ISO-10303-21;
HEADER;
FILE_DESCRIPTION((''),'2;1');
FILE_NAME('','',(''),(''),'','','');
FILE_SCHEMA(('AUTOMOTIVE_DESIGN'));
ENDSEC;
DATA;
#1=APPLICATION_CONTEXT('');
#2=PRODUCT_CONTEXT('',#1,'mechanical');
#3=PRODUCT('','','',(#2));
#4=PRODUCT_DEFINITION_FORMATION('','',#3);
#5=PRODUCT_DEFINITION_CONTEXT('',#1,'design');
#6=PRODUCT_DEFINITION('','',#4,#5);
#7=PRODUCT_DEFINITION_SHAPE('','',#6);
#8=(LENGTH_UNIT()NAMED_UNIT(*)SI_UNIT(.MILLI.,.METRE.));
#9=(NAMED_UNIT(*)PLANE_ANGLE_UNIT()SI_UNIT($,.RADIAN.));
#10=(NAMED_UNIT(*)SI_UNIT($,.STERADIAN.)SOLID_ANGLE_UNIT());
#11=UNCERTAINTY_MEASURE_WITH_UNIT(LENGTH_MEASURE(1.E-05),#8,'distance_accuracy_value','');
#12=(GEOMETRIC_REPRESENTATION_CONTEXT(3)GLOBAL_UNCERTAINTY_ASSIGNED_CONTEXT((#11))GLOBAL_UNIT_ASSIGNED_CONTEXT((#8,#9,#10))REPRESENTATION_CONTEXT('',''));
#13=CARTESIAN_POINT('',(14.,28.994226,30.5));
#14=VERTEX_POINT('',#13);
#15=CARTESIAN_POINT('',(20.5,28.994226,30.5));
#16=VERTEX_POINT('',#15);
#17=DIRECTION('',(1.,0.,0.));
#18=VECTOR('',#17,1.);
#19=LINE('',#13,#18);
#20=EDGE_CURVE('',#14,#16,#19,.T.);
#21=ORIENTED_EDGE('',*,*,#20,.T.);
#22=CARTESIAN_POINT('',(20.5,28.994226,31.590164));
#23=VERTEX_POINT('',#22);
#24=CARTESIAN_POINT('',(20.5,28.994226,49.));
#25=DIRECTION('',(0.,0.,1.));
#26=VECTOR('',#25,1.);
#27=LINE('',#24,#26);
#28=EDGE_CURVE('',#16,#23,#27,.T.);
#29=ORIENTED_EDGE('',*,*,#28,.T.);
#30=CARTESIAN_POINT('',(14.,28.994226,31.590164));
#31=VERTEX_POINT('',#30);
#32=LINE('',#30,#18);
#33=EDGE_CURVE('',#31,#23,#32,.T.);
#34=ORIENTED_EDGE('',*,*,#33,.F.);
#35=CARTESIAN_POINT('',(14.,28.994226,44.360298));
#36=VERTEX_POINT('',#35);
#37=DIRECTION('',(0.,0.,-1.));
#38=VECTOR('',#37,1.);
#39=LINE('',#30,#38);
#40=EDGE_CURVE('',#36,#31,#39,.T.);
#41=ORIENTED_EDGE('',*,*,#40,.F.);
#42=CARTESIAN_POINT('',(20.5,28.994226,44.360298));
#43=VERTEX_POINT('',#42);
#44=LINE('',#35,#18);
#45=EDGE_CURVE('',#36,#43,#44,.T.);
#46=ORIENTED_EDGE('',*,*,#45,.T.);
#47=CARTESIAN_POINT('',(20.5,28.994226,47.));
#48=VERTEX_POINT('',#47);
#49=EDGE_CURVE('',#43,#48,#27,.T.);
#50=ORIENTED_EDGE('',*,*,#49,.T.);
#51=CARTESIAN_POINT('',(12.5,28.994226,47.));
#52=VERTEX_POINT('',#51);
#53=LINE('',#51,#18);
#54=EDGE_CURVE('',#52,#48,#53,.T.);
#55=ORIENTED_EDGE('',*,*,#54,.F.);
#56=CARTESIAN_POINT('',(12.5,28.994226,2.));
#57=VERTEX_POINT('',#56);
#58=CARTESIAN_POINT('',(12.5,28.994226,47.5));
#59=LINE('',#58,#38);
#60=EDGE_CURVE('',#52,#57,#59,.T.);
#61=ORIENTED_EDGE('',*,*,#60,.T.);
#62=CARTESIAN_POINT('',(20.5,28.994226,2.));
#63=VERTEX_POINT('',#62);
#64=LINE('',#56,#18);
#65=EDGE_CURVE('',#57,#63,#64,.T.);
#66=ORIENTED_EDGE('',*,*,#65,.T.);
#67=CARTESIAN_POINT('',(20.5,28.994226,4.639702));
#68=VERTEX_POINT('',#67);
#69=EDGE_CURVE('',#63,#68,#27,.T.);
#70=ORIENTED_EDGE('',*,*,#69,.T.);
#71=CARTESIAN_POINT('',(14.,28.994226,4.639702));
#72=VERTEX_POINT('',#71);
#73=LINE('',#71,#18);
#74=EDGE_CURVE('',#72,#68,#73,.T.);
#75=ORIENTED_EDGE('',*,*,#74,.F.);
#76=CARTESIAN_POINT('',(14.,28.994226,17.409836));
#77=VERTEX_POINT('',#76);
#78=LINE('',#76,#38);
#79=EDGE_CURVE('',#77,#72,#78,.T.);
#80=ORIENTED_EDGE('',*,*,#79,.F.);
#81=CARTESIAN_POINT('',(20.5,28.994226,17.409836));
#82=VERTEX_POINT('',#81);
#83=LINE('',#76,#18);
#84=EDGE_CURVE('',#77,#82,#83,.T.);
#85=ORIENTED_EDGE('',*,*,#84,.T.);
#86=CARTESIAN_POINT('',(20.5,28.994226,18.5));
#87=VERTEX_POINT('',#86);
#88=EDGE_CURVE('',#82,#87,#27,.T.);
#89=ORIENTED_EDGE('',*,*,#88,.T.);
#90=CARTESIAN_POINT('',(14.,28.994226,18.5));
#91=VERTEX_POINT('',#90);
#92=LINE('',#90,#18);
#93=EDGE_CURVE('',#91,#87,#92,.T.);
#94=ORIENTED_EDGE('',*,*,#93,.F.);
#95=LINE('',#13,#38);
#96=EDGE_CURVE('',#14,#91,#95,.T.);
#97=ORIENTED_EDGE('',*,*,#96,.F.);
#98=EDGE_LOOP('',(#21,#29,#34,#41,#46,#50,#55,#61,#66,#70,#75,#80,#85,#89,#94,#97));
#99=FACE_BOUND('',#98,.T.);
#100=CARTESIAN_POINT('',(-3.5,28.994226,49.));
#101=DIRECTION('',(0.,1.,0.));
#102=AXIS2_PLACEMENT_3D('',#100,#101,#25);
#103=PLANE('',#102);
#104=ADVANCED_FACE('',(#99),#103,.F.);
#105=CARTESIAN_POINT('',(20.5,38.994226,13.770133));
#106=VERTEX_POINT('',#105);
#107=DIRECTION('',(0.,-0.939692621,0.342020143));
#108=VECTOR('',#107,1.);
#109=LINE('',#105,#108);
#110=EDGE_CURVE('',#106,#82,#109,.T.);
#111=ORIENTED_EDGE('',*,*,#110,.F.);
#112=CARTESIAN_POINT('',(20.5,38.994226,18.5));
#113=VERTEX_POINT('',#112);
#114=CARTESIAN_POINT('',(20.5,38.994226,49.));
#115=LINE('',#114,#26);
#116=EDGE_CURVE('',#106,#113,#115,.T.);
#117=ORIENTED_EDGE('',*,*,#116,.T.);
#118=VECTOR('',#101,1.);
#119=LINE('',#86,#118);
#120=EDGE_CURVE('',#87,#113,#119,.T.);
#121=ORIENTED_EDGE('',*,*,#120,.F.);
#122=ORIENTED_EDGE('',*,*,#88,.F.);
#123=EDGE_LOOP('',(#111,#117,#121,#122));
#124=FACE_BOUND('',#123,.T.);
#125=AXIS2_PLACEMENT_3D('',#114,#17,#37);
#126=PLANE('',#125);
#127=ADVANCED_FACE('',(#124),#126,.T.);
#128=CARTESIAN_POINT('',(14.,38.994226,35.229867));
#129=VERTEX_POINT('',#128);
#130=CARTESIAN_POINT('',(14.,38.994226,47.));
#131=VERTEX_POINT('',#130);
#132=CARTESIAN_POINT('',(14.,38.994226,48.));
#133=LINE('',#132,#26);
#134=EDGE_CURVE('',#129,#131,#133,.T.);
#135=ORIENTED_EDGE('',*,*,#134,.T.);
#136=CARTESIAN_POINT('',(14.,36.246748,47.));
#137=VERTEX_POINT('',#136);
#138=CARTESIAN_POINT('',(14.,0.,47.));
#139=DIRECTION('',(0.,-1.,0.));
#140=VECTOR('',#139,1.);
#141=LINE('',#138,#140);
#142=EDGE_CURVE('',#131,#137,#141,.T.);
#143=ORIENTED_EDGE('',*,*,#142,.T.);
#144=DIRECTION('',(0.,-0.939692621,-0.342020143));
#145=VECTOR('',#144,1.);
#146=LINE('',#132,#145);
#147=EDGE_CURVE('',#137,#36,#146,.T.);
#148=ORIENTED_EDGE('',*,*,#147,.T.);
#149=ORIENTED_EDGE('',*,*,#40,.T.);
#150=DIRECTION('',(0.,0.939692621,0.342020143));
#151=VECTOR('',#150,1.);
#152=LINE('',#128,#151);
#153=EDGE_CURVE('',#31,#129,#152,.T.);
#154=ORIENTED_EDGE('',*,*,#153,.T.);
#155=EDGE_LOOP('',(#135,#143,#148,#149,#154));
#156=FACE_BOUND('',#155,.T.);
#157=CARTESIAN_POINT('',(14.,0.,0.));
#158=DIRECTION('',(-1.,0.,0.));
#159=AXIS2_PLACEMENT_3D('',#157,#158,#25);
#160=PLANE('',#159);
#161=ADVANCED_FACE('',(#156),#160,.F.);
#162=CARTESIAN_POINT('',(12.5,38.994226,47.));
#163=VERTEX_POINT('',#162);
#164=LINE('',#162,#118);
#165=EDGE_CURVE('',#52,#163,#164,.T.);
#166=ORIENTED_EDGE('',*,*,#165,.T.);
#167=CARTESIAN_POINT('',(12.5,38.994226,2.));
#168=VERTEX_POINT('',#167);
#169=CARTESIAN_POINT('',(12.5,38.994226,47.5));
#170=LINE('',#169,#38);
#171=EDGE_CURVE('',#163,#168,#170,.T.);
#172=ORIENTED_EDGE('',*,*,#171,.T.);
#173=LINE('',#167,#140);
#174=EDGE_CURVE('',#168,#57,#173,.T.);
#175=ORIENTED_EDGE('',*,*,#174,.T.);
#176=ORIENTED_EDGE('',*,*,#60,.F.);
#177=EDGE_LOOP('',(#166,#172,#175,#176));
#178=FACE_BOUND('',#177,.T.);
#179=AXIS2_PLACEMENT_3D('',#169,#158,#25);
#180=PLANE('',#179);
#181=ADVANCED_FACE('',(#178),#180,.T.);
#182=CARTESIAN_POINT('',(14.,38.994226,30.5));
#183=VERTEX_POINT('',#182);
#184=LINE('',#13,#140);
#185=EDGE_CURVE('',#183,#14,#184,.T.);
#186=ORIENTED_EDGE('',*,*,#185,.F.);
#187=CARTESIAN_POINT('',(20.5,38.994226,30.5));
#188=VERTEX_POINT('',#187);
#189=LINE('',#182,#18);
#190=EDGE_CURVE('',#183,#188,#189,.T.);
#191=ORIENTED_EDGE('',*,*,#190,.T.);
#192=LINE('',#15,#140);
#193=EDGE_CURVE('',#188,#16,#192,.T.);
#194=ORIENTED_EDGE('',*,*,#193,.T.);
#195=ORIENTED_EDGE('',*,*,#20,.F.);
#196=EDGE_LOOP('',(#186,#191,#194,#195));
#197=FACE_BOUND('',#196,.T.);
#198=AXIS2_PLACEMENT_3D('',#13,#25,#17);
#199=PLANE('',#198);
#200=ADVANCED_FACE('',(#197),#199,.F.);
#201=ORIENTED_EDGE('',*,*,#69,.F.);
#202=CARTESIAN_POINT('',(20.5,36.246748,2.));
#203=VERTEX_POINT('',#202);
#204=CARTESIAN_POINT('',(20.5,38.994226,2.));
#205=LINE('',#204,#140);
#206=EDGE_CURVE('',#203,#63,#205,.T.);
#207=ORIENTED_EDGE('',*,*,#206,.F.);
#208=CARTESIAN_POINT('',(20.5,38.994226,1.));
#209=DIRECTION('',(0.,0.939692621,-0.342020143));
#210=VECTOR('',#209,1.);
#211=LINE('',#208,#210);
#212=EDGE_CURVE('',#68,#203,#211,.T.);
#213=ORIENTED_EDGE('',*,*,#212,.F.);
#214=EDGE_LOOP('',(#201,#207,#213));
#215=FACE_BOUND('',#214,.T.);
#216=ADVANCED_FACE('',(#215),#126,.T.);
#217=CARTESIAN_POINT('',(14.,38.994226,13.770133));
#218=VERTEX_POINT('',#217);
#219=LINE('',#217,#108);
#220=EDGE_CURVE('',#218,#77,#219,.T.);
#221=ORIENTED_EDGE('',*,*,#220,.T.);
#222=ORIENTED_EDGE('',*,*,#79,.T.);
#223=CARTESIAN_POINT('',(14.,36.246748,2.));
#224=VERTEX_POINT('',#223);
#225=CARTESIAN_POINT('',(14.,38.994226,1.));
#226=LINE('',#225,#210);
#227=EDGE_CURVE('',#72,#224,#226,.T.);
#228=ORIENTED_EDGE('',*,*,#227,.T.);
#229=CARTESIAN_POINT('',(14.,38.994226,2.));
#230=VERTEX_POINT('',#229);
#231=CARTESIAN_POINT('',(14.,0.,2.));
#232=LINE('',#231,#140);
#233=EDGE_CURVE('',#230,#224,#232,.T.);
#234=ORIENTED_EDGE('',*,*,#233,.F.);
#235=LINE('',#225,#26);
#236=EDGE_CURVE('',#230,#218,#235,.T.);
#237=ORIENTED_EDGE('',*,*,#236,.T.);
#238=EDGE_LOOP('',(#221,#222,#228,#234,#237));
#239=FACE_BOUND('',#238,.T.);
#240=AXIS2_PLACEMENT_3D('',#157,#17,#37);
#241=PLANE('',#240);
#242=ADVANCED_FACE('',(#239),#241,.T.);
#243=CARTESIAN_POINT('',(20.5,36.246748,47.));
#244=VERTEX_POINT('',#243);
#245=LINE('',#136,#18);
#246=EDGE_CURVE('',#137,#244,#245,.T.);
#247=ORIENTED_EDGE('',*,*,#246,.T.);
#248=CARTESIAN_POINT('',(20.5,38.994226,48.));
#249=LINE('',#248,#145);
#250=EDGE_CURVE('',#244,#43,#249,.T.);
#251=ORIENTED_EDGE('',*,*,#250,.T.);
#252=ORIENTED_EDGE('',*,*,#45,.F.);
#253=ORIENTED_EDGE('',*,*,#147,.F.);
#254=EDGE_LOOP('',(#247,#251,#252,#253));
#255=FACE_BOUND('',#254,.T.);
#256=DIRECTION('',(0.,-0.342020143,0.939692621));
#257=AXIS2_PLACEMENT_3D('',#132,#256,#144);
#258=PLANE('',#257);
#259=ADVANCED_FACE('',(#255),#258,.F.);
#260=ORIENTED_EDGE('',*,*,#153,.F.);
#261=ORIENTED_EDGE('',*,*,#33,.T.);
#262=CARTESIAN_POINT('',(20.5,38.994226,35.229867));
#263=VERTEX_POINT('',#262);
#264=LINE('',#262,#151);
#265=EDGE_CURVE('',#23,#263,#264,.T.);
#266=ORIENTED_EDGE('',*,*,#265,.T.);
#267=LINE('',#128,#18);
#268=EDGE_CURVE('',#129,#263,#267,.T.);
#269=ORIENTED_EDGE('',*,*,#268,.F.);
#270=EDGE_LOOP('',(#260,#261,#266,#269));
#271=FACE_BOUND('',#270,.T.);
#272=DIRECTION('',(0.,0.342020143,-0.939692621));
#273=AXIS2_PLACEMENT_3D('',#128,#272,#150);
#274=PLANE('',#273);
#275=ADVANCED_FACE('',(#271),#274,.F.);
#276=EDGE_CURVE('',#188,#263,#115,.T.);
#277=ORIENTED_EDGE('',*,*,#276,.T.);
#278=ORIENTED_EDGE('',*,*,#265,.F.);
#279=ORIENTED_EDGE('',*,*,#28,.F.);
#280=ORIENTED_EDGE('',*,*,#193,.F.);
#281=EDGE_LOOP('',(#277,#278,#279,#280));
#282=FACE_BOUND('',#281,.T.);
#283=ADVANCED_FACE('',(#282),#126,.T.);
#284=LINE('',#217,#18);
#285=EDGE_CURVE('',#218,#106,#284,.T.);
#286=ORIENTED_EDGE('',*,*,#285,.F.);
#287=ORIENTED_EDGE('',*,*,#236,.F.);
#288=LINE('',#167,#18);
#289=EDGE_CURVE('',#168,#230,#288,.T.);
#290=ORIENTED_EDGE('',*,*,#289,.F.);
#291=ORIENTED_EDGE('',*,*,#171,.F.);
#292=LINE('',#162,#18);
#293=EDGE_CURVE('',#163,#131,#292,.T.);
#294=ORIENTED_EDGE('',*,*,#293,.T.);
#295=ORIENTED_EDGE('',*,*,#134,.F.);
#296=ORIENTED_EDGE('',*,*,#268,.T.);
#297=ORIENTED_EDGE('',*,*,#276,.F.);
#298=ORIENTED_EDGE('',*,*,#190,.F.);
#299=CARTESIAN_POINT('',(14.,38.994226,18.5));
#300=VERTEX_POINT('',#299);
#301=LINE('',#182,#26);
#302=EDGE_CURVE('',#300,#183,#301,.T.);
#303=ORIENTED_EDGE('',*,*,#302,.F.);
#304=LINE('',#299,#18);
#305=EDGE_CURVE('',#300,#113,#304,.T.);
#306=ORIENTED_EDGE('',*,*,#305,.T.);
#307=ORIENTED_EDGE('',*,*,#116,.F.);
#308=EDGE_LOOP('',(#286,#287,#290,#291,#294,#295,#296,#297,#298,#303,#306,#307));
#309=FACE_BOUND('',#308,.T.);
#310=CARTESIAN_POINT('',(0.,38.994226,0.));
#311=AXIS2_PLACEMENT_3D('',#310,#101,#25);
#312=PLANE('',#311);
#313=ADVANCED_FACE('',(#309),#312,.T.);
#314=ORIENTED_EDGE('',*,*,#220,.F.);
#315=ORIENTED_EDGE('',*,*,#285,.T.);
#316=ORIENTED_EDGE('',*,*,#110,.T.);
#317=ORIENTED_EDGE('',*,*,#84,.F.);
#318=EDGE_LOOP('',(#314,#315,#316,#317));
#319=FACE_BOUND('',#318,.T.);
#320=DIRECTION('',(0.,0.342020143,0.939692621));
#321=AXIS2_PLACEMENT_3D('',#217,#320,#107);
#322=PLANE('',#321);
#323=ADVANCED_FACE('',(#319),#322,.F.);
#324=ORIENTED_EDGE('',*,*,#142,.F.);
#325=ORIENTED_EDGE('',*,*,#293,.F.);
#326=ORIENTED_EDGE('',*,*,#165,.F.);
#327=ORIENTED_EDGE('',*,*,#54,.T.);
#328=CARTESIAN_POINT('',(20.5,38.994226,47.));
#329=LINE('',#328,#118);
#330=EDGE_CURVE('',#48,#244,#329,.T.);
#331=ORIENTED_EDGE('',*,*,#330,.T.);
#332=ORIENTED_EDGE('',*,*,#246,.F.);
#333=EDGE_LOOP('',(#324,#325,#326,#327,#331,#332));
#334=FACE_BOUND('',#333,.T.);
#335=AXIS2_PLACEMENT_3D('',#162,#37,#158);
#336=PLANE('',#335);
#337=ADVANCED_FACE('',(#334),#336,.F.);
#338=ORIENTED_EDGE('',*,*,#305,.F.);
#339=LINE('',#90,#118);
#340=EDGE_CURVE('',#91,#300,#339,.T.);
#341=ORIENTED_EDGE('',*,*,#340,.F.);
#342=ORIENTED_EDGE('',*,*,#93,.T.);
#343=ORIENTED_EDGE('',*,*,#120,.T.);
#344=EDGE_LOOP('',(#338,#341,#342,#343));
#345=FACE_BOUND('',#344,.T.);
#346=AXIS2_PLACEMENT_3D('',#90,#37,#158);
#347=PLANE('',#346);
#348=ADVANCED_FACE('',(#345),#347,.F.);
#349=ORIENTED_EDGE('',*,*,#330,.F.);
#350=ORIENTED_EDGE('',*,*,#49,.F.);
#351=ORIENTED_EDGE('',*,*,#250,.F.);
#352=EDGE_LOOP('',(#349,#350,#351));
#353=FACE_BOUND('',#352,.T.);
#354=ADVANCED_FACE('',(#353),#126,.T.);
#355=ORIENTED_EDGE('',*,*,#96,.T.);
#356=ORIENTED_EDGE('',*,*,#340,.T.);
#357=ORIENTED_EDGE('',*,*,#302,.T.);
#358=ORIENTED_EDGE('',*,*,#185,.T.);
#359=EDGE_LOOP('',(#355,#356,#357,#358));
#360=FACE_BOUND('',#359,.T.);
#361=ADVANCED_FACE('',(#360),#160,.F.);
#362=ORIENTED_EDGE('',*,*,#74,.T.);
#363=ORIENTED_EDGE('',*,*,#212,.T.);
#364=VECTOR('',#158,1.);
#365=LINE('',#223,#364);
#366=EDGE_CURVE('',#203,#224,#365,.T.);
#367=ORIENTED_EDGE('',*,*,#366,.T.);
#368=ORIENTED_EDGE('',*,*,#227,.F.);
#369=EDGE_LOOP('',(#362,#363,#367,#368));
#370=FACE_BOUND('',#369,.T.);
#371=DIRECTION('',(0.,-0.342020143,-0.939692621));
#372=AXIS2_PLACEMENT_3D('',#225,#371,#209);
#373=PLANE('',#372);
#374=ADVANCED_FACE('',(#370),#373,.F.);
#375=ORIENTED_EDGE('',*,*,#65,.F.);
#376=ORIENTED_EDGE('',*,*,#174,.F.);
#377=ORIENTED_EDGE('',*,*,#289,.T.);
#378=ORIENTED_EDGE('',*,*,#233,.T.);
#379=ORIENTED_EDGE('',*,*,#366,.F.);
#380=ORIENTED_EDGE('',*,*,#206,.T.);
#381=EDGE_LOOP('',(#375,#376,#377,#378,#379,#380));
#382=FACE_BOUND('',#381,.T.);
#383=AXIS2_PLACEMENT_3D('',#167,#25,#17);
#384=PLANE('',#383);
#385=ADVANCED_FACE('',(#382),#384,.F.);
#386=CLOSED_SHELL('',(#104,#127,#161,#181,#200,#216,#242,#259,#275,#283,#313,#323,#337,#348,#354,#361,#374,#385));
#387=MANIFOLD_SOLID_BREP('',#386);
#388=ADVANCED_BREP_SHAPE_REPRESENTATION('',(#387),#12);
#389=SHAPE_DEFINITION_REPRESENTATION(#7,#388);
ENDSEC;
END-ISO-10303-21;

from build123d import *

# Parameters (mm, degrees)
SALIENTE_EXTRUIR1_DEPTH = 49
CORTAR_EXTRUIR1_DEPTH   = 70.738798384
SALIENTE_EXTRUIR3_DEPTH = 10
CROQUIS8_W              = 12
CROQUIS8_H              = 10
CORTAR_EXTRUIR2_DEPTH   = 6.5
CROQUIS9_W              = 20
CROQUIS9_H              = 12
SALIENTE_EXTRUIR4_DEPTH = 1.5
CROQUIS10_W             = 49
CROQUIS10_H             = 45
CORTAR_EXTRUIR6_DEPTH   = 16
CROQUIS13_W             = 2
CROQUIS13_H             = 10
CORTAR_EXTRUIR7_DEPTH   = 64.131209746


with BuildPart() as part:
    # Croquis1 → Saliente-Extruir1 (new body)
    with BuildSketch(Plane.XY):
        Polygon((-3.5, 49.5), (-3.5, 0), (0, 0), (0, 41.994225778), align=None)
    extrude(amount=SALIENTE_EXTRUIR1_DEPTH)

    # Croquis2 → Cortar-Extruir1 (cut, through all)
    with BuildSketch(Plane(origin=(0, 0, 0), x_dir=(0, 0, -1), z_dir=(1, 0, 0))):
        Polygon((-49, 0), (0, 0), (0, 28.994225778), (-14.5, 28.994225778), (-14.5, 4.5), (-34.5, 4.5), (-34.5, 28.994225778), (-49, 28.994225778), align=None)
    extrude(amount=-CORTAR_EXTRUIR1_DEPTH, mode=Mode.SUBTRACT)

    # Croquis4 → Saliente-Extruir3 (add)
    with BuildSketch(Plane.XZ.offset(-28.994225778)):
        Polygon((0, 49), (20.5, 49), (20.5, 0), (0, 0), (0, 1.5), (12.5, 1.5), (12.5, 47.5), (0, 47.5), align=None)
    extrude(amount=-SALIENTE_EXTRUIR3_DEPTH)

    # Croquis8 → Cortar-Extruir2 (cut)
    with BuildSketch(Plane(origin=(20.5, 0, 0), x_dir=(0, 0, -1), z_dir=(1, 0, 0))):
        with Locations((-24.5, 33.994225778)):
            Rectangle(CROQUIS8_W, CROQUIS8_H)
        Polygon((-48, 38.994225778), (-44.360297657, 28.994225778), (-31.590164388, 28.994225778), (-35.22986673, 38.994225778), align=None)
        Polygon((-17.409835612, 28.994225778), (-4.639702343, 28.994225778), (-1, 38.994225778), (-13.77013327, 38.994225778), align=None)
    extrude(amount=-CORTAR_EXTRUIR2_DEPTH, mode=Mode.SUBTRACT)

    # Croquis9 → Saliente-Extruir4 (add)
    with BuildSketch(Plane(origin=(0, 0, 0), x_dir=(0, 0, -1), z_dir=(1, 0, 0))):
        with Locations((-24.5, 10.5)):
            Rectangle(CROQUIS9_W, CROQUIS9_H)
    extrude(amount=SALIENTE_EXTRUIR4_DEPTH)

    # Croquis10 → Cortar-Extruir6 (cut)
    with BuildSketch(Plane.ZY.offset(3.5)):
        with Locations((24.5, 27)):
            Rectangle(CROQUIS10_W, CROQUIS10_H)
    extrude(amount=-CORTAR_EXTRUIR6_DEPTH, mode=Mode.SUBTRACT)

    # Croquis13 → Cortar-Extruir7 (cut, through all)
    with BuildSketch(Plane(origin=(20.5, 0, 0), x_dir=(0, 0, -1), z_dir=(1, 0, 0))):
        with Locations((-48, 33.994225778)):
            Rectangle(CROQUIS13_W, CROQUIS13_H)
        with Locations((-1, 33.994225778)):
            Rectangle(CROQUIS13_W, CROQUIS13_H)
    extrude(amount=-CORTAR_EXTRUIR7_DEPTH, mode=Mode.SUBTRACT)


solid = part.part
